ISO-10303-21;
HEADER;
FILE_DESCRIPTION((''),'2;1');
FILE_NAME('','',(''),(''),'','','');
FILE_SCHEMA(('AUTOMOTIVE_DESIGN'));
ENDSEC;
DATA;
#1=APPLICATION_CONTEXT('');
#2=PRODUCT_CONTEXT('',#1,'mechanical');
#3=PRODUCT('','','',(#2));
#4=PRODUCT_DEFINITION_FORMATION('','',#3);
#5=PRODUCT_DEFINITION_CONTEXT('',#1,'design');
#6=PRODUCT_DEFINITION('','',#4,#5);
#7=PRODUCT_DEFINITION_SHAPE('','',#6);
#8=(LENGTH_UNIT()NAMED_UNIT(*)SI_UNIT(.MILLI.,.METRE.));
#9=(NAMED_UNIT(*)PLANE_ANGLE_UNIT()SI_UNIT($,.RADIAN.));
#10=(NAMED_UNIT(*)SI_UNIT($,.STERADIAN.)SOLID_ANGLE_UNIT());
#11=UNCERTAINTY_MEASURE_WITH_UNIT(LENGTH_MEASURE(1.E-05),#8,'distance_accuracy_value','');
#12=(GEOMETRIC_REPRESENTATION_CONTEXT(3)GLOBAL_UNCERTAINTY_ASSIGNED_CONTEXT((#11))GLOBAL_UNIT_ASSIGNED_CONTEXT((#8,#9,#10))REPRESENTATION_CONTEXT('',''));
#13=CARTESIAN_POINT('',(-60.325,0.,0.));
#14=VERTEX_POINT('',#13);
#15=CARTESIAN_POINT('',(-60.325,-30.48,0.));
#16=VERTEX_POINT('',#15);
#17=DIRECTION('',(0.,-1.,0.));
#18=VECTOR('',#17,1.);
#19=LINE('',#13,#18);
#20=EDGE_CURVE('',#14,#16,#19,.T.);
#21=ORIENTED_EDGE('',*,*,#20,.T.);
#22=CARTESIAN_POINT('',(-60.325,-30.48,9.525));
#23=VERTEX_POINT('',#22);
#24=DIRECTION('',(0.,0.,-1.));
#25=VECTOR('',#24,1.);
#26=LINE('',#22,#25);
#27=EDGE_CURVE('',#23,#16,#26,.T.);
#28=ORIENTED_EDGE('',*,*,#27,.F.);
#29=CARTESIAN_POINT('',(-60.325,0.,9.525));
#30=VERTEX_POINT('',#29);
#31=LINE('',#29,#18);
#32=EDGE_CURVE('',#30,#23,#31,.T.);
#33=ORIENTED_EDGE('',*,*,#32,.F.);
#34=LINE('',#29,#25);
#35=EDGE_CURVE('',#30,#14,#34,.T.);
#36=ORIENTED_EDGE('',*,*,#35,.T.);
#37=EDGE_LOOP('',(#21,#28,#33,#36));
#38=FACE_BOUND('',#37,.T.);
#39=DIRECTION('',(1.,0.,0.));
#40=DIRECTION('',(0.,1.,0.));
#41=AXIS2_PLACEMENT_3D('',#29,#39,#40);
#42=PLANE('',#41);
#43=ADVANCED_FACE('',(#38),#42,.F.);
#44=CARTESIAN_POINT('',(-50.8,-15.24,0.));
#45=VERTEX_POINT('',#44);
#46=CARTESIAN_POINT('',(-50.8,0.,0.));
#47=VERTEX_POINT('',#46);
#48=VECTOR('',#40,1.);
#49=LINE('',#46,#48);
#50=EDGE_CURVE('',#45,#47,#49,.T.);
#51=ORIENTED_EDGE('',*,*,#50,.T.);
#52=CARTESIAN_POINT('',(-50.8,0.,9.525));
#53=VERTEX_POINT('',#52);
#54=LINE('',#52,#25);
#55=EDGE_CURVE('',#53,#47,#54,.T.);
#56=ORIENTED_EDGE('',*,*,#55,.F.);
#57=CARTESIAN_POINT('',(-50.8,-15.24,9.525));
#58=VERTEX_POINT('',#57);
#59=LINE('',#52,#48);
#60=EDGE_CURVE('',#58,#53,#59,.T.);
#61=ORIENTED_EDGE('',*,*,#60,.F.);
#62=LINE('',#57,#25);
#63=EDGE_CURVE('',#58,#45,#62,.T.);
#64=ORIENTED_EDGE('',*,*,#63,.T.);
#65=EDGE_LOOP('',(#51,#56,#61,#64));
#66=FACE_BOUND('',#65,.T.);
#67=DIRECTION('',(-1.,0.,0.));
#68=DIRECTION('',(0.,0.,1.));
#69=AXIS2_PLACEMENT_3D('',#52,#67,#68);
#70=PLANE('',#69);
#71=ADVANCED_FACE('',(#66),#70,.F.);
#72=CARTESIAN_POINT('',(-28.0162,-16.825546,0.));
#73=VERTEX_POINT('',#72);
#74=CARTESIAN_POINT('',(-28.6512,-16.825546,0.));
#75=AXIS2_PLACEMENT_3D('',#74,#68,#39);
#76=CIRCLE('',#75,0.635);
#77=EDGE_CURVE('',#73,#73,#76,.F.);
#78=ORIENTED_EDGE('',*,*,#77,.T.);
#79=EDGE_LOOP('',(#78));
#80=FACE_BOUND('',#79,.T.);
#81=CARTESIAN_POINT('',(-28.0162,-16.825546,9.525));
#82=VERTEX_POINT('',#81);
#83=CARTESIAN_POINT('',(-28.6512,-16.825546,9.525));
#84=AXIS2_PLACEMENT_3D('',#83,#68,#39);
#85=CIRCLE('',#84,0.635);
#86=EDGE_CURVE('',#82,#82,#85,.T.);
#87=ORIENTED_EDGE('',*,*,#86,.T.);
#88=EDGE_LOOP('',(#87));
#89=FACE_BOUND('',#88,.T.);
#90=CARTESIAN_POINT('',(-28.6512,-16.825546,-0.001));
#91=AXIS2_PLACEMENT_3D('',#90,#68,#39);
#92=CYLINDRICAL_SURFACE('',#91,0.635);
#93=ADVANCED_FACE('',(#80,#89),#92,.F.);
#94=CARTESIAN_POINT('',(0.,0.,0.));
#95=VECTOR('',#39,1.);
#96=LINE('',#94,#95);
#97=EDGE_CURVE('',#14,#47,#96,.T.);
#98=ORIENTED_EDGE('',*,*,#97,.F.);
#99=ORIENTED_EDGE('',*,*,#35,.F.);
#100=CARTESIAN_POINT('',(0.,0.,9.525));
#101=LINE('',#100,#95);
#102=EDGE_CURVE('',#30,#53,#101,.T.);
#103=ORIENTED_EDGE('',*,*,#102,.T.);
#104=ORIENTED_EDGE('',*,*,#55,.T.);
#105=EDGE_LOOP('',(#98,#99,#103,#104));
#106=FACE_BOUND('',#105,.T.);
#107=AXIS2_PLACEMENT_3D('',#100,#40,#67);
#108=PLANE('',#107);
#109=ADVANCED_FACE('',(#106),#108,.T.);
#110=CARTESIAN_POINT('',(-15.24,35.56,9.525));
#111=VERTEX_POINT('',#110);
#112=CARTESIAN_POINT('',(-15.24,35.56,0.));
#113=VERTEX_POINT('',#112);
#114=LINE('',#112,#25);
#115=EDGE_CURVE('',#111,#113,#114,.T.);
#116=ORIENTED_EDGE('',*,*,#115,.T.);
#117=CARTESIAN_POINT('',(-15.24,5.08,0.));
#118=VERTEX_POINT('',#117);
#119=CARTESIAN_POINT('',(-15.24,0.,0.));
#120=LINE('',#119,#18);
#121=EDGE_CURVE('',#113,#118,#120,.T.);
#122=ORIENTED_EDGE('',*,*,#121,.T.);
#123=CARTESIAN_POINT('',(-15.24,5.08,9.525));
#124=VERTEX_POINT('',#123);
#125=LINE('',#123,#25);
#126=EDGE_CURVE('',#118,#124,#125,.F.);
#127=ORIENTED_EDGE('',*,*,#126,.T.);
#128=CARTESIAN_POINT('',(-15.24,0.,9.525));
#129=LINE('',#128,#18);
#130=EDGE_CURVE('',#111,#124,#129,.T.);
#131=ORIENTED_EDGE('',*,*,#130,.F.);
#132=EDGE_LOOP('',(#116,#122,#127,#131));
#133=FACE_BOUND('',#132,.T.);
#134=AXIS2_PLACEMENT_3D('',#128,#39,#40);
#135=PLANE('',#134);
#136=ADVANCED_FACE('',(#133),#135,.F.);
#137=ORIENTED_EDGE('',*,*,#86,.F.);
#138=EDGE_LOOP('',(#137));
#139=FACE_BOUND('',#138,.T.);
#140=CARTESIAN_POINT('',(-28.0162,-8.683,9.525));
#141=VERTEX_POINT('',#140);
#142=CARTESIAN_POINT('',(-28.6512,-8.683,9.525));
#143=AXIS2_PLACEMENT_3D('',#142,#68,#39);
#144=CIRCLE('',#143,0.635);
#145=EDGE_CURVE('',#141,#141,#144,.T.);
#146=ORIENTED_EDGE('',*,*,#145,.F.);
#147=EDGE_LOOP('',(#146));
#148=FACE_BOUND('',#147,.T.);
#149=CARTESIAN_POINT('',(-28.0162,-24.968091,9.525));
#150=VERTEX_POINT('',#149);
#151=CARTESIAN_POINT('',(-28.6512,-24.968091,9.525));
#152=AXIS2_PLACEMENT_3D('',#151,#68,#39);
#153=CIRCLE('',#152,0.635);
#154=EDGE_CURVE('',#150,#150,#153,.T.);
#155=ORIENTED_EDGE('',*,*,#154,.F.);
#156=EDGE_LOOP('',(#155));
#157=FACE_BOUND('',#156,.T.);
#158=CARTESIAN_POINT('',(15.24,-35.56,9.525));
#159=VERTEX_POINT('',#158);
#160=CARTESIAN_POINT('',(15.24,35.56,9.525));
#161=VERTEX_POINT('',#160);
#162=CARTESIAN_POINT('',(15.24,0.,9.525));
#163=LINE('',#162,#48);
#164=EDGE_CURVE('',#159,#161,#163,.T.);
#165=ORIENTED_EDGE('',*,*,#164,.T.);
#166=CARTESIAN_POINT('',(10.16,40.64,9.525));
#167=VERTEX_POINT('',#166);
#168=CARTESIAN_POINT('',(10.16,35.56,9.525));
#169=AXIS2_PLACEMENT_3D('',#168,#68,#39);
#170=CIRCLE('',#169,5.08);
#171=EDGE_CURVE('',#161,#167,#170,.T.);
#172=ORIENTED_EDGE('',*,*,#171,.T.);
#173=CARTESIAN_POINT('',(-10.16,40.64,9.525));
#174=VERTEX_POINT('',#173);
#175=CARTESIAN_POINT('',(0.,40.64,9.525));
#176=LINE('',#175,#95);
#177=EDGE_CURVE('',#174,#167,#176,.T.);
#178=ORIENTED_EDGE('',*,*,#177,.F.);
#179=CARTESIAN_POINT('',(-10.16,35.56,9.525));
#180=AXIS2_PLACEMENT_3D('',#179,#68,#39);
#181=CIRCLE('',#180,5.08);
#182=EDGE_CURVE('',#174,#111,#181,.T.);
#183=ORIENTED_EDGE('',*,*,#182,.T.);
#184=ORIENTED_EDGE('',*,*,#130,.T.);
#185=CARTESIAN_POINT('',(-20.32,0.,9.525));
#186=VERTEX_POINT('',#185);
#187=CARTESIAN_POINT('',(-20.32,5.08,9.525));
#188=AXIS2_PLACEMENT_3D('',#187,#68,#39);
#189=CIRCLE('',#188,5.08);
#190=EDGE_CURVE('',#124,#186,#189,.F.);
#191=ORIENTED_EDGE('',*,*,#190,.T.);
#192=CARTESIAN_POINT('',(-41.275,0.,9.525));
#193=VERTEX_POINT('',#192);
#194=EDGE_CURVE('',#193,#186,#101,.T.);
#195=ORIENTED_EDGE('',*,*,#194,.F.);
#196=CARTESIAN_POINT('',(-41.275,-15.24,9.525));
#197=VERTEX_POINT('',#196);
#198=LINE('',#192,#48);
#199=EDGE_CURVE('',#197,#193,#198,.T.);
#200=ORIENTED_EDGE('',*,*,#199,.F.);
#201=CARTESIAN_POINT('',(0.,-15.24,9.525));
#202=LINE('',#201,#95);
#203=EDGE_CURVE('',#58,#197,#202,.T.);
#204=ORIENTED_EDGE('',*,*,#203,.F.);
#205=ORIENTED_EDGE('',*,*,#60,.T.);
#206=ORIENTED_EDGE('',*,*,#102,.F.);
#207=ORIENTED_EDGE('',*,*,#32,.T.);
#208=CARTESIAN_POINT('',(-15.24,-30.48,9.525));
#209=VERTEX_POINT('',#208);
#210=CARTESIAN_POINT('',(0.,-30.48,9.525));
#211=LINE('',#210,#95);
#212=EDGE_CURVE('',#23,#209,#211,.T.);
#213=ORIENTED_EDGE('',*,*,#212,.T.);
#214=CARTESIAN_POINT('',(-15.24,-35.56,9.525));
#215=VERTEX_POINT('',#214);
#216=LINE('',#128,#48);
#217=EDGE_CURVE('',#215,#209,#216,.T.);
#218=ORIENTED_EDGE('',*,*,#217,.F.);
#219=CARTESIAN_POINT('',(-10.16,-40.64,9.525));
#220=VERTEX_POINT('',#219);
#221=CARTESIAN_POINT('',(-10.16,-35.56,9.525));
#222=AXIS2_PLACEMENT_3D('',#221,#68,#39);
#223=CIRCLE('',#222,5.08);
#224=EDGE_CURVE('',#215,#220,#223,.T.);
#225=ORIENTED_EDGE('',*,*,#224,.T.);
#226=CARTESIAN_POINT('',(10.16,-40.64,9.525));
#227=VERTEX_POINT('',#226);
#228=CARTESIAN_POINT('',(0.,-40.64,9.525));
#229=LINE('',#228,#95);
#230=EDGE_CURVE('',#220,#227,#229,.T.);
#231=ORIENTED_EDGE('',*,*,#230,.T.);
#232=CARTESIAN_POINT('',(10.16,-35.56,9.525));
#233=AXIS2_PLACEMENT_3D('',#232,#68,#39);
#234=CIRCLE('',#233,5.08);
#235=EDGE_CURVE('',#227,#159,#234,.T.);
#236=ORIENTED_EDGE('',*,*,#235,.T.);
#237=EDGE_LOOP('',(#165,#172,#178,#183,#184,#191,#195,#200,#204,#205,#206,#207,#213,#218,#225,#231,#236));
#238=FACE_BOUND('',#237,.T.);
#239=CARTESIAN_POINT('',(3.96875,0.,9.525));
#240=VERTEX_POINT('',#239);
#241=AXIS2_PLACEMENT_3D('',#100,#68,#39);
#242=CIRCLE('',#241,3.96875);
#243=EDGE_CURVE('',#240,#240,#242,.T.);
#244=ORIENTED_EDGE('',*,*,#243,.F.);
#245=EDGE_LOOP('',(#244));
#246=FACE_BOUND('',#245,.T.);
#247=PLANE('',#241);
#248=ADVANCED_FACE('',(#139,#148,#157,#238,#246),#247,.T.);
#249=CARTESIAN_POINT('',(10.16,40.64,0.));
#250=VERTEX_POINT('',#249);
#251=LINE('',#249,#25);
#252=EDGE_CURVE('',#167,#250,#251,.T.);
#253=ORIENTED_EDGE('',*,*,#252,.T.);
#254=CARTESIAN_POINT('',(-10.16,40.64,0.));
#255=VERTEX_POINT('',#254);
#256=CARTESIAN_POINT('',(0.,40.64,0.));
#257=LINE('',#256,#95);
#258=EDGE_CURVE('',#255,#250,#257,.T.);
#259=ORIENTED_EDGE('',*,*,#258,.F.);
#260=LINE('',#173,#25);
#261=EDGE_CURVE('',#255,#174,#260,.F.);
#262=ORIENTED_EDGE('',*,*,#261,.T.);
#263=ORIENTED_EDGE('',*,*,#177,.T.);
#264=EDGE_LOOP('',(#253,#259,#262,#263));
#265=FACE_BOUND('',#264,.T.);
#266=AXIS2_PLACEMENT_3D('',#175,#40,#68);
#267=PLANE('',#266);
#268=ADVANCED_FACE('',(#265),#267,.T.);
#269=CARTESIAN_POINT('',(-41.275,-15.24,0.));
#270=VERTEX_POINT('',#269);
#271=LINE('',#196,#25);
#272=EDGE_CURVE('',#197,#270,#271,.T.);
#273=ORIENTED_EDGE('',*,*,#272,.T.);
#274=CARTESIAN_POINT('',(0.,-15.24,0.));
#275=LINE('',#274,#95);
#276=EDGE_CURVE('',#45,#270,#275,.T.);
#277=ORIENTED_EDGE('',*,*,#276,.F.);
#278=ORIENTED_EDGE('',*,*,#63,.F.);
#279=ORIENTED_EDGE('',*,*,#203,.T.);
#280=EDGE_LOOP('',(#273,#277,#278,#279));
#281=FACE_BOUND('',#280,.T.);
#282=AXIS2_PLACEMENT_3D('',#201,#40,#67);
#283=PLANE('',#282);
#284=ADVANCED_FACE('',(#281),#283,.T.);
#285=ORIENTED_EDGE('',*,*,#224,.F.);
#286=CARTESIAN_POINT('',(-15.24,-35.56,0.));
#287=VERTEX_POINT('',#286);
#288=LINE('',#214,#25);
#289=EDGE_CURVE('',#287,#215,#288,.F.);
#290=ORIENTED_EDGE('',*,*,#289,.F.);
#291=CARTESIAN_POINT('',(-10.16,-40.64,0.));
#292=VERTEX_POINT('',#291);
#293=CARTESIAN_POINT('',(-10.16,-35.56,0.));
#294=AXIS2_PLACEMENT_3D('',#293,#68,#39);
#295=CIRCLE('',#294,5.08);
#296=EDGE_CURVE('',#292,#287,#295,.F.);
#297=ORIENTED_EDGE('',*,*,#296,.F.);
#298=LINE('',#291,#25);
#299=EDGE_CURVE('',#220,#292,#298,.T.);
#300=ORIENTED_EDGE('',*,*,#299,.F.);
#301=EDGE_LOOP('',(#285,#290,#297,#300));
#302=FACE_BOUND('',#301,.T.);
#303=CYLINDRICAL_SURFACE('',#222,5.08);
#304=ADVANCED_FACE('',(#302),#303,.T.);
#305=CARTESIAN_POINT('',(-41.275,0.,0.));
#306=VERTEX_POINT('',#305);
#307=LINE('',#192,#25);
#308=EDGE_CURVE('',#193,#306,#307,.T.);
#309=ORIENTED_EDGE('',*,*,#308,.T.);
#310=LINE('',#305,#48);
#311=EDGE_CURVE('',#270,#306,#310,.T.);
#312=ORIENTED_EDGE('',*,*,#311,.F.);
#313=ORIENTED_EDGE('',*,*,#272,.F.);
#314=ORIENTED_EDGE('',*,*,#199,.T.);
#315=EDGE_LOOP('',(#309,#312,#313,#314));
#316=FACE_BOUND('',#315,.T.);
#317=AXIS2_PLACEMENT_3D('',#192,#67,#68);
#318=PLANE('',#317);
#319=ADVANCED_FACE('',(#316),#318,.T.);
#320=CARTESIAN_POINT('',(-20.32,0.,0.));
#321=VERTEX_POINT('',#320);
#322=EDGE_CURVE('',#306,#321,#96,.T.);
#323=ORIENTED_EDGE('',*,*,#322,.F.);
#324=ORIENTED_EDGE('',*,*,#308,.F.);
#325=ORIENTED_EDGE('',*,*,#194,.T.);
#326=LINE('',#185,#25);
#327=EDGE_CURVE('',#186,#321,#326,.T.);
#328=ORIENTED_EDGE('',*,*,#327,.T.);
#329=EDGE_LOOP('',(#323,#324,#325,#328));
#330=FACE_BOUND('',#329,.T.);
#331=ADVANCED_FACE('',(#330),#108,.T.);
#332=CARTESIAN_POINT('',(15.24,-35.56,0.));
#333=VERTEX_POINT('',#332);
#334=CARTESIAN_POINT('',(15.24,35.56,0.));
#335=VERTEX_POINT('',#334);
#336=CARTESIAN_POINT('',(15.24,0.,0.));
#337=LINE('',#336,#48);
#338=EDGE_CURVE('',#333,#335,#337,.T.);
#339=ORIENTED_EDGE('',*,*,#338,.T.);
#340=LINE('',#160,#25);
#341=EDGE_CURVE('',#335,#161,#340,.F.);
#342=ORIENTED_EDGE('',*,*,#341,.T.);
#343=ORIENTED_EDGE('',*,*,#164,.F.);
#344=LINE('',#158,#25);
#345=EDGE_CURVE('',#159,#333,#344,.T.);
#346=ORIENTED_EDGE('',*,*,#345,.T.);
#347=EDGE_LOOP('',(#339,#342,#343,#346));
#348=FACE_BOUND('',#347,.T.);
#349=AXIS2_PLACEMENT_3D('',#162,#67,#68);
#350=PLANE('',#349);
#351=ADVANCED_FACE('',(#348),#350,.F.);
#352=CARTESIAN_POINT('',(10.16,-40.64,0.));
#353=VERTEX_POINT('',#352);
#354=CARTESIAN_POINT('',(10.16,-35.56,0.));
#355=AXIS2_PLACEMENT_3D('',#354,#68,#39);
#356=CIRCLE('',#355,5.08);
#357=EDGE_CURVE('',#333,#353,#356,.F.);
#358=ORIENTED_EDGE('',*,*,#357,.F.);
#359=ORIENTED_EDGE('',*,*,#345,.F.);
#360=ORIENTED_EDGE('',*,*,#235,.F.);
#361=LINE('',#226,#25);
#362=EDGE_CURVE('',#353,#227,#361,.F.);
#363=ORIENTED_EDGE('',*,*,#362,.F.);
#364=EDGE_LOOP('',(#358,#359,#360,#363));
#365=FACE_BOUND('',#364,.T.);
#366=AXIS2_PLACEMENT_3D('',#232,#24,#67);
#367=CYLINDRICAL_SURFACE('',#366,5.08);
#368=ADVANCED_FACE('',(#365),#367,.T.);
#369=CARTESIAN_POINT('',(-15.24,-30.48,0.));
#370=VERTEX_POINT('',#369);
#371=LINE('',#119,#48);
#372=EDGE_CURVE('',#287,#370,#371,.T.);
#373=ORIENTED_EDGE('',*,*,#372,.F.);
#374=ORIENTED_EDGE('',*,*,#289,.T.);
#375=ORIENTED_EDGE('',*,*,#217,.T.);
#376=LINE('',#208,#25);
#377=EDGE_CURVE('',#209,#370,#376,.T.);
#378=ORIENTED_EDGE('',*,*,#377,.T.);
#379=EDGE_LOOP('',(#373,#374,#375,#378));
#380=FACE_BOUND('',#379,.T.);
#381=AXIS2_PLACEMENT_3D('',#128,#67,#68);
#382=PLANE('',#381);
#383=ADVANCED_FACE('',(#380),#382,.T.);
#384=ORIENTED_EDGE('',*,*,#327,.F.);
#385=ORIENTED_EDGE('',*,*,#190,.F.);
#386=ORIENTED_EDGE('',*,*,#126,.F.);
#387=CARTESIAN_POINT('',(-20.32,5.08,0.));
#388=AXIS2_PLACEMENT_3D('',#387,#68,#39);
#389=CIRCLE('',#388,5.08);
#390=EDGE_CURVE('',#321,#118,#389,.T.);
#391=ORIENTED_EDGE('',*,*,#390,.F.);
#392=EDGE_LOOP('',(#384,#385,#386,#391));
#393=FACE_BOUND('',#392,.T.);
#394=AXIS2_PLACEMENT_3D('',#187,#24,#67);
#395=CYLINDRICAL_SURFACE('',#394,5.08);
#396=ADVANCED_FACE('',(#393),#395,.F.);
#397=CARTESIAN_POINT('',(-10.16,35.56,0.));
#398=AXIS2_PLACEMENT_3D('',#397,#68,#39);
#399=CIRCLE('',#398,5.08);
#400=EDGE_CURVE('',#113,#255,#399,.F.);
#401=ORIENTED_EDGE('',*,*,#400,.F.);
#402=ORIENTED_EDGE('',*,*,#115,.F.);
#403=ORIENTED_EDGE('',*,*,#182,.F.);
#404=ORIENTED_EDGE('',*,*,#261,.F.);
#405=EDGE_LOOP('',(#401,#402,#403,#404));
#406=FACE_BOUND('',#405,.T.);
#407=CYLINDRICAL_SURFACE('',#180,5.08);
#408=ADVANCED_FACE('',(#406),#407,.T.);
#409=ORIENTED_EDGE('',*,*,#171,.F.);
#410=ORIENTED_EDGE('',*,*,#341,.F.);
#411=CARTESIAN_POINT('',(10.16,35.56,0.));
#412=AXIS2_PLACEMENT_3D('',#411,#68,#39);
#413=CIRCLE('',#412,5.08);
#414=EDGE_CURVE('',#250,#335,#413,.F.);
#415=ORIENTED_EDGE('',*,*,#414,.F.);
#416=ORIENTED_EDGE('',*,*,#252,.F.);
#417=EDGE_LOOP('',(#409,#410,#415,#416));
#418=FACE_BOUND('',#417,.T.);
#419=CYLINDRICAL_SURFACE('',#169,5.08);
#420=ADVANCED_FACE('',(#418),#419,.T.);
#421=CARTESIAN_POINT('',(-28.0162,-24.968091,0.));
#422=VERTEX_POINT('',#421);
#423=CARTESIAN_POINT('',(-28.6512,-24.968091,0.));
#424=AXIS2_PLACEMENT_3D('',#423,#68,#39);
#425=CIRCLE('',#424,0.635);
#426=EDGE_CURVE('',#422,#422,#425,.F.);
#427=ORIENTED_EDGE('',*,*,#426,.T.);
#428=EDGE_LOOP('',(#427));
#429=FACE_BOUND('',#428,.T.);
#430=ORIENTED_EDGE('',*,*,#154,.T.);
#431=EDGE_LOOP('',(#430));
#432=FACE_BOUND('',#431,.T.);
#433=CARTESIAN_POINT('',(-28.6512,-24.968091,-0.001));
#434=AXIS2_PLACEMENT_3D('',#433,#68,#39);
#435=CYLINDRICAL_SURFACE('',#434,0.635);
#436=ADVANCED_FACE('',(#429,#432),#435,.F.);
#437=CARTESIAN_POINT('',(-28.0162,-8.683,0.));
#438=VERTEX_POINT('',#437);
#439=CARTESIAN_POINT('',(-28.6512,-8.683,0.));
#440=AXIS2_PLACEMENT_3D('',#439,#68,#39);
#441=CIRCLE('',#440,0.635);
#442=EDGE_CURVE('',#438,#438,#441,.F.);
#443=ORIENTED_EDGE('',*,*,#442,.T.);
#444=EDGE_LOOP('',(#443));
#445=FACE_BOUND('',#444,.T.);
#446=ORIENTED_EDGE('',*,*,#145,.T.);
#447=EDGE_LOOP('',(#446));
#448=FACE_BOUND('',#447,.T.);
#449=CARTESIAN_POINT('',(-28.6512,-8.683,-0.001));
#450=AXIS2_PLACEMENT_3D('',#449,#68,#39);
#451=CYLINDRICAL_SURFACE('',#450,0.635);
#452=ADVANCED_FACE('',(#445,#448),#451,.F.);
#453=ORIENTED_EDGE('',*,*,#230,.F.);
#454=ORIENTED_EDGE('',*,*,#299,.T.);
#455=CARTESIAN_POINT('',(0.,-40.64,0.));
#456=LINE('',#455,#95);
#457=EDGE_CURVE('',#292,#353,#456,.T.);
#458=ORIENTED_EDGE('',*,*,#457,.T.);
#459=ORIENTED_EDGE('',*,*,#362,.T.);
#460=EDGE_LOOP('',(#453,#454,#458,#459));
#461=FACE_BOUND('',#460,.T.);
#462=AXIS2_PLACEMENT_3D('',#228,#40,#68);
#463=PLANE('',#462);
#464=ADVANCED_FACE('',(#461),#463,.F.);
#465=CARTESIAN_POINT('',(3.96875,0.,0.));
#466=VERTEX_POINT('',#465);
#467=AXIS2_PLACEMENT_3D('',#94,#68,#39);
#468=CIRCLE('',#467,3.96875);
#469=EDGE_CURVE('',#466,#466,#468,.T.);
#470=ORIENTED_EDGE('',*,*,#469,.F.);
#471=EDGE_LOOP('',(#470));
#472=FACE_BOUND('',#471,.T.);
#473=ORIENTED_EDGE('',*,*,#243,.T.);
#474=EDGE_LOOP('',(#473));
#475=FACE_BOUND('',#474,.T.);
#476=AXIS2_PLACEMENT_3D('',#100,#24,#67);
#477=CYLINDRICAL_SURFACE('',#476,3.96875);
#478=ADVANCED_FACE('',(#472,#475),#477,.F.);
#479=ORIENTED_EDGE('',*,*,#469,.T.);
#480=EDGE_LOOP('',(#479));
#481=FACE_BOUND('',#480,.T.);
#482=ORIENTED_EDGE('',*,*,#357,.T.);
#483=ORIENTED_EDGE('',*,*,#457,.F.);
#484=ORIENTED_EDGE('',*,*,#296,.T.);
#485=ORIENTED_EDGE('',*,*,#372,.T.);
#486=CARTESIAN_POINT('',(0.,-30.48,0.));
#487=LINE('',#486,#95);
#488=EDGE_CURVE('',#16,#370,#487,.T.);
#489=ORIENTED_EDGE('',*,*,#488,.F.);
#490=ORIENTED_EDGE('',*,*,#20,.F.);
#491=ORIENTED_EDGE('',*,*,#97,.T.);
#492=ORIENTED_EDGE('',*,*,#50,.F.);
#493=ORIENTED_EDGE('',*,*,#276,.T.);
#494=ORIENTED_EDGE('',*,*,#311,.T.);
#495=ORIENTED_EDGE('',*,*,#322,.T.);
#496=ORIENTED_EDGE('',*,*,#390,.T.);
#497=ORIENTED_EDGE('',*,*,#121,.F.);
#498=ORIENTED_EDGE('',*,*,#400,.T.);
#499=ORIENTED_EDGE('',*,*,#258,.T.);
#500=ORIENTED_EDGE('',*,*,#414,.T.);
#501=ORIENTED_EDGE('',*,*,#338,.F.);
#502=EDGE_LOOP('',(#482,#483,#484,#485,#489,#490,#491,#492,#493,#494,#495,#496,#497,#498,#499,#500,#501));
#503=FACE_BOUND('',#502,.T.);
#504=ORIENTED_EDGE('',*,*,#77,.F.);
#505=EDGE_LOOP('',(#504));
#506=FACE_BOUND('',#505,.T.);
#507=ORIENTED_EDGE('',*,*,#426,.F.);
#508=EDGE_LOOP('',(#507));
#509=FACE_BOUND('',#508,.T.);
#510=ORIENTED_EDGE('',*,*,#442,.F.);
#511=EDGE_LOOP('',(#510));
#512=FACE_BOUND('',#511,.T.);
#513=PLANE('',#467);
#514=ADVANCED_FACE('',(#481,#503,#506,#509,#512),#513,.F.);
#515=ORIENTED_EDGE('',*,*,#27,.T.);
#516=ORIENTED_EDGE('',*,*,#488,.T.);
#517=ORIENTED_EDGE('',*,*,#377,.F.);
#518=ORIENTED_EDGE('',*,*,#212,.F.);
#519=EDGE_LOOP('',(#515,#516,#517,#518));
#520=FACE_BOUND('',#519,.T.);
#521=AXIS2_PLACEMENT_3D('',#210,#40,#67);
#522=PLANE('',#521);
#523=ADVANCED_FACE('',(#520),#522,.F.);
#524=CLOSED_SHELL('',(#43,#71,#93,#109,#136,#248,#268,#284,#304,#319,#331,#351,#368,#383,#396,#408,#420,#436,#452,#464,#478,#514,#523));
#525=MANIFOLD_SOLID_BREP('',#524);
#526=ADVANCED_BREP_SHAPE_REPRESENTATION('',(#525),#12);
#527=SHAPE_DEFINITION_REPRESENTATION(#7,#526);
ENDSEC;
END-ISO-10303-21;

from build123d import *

# Parameters (mm, degrees)
SKETCH1_R           = 3.96875
BOSS_EXTRUDE1_DEPTH = 9.525
FILLET2_R           = 5.08
CUT_EXTRUDE1_REACH  = 11.525
SKETCH2_R           = 0.635


with BuildPart() as part:
    # Sketch1 → Boss-Extrude1 (new body)
    with BuildSketch(Plane.XY):
        Polygon((-15.24, -40.64), (15.24, -40.64), (15.24, 40.64), (-15.24, 40.64), (-15.24, 0), (-41.275, 0), (-41.275, -15.24), (-50.8, -15.24), (-50.8, 0), (-60.325, 0), (-60.325, -30.48), (-15.24, -30.48), align=None)
        Circle(SKETCH1_R, mode=Mode.SUBTRACT)
    extrude(amount=BOSS_EXTRUDE1_DEPTH)

    # Fillet2
    fillet2_edges = [part.edges().sort_by_distance(p)[0] for p in [
        (-15.24, 0, 4.7625),
        (-15.24, 40.64, 4.7625),
        (15.24, 40.64, 4.7625),
        (15.24, -40.64, 4.7625),
        (-15.24, -40.64, 4.7625),
    ]]
    fillet(fillet2_edges, radius=FILLET2_R)

    # Sketch2 → Cut-Extrude1 (cut, up to next)
    with BuildSketch(Plane.XY.offset(9.525), mode=Mode.PRIVATE) as cut_extrude1_sk1:
        with Locations((-28.6512, -8.683)):
            Circle(SKETCH2_R)
    cut_extrude1_tool1 = extrude(cut_extrude1_sk1.sketch, amount=-CUT_EXTRUDE1_REACH, mode=Mode.PRIVATE) & part.part
    add(cut_extrude1_tool1.solids().sort_by_distance((-28.6512, -8.683, 9.525))[0], mode=Mode.SUBTRACT)
    # Sketch2 → Cut-Extrude1 (cut, up to next)
    with BuildSketch(Plane.XY.offset(9.525), mode=Mode.PRIVATE) as cut_extrude1_sk2:
        with Locations((-28.6512, -16.825545611)):
            Circle(SKETCH2_R)
    cut_extrude1_tool2 = extrude(cut_extrude1_sk2.sketch, amount=-CUT_EXTRUDE1_REACH, mode=Mode.PRIVATE) & part.part
    add(cut_extrude1_tool2.solids().sort_by_distance((-28.6512, -16.825546, 9.525))[0], mode=Mode.SUBTRACT)
    # Sketch2 → Cut-Extrude1 (cut, up to next)
    with BuildSketch(Plane.XY.offset(9.525), mode=Mode.PRIVATE) as cut_extrude1_sk3:
        with Locations((-28.6512, -24.968091222)):
            Circle(SKETCH2_R)
    cut_extrude1_tool3 = extrude(cut_extrude1_sk3.sketch, amount=-CUT_EXTRUDE1_REACH, mode=Mode.PRIVATE) & part.part
    add(cut_extrude1_tool3.solids().sort_by_distance((-28.6512, -24.968091, 9.525))[0], mode=Mode.SUBTRACT)


solid = part.part
